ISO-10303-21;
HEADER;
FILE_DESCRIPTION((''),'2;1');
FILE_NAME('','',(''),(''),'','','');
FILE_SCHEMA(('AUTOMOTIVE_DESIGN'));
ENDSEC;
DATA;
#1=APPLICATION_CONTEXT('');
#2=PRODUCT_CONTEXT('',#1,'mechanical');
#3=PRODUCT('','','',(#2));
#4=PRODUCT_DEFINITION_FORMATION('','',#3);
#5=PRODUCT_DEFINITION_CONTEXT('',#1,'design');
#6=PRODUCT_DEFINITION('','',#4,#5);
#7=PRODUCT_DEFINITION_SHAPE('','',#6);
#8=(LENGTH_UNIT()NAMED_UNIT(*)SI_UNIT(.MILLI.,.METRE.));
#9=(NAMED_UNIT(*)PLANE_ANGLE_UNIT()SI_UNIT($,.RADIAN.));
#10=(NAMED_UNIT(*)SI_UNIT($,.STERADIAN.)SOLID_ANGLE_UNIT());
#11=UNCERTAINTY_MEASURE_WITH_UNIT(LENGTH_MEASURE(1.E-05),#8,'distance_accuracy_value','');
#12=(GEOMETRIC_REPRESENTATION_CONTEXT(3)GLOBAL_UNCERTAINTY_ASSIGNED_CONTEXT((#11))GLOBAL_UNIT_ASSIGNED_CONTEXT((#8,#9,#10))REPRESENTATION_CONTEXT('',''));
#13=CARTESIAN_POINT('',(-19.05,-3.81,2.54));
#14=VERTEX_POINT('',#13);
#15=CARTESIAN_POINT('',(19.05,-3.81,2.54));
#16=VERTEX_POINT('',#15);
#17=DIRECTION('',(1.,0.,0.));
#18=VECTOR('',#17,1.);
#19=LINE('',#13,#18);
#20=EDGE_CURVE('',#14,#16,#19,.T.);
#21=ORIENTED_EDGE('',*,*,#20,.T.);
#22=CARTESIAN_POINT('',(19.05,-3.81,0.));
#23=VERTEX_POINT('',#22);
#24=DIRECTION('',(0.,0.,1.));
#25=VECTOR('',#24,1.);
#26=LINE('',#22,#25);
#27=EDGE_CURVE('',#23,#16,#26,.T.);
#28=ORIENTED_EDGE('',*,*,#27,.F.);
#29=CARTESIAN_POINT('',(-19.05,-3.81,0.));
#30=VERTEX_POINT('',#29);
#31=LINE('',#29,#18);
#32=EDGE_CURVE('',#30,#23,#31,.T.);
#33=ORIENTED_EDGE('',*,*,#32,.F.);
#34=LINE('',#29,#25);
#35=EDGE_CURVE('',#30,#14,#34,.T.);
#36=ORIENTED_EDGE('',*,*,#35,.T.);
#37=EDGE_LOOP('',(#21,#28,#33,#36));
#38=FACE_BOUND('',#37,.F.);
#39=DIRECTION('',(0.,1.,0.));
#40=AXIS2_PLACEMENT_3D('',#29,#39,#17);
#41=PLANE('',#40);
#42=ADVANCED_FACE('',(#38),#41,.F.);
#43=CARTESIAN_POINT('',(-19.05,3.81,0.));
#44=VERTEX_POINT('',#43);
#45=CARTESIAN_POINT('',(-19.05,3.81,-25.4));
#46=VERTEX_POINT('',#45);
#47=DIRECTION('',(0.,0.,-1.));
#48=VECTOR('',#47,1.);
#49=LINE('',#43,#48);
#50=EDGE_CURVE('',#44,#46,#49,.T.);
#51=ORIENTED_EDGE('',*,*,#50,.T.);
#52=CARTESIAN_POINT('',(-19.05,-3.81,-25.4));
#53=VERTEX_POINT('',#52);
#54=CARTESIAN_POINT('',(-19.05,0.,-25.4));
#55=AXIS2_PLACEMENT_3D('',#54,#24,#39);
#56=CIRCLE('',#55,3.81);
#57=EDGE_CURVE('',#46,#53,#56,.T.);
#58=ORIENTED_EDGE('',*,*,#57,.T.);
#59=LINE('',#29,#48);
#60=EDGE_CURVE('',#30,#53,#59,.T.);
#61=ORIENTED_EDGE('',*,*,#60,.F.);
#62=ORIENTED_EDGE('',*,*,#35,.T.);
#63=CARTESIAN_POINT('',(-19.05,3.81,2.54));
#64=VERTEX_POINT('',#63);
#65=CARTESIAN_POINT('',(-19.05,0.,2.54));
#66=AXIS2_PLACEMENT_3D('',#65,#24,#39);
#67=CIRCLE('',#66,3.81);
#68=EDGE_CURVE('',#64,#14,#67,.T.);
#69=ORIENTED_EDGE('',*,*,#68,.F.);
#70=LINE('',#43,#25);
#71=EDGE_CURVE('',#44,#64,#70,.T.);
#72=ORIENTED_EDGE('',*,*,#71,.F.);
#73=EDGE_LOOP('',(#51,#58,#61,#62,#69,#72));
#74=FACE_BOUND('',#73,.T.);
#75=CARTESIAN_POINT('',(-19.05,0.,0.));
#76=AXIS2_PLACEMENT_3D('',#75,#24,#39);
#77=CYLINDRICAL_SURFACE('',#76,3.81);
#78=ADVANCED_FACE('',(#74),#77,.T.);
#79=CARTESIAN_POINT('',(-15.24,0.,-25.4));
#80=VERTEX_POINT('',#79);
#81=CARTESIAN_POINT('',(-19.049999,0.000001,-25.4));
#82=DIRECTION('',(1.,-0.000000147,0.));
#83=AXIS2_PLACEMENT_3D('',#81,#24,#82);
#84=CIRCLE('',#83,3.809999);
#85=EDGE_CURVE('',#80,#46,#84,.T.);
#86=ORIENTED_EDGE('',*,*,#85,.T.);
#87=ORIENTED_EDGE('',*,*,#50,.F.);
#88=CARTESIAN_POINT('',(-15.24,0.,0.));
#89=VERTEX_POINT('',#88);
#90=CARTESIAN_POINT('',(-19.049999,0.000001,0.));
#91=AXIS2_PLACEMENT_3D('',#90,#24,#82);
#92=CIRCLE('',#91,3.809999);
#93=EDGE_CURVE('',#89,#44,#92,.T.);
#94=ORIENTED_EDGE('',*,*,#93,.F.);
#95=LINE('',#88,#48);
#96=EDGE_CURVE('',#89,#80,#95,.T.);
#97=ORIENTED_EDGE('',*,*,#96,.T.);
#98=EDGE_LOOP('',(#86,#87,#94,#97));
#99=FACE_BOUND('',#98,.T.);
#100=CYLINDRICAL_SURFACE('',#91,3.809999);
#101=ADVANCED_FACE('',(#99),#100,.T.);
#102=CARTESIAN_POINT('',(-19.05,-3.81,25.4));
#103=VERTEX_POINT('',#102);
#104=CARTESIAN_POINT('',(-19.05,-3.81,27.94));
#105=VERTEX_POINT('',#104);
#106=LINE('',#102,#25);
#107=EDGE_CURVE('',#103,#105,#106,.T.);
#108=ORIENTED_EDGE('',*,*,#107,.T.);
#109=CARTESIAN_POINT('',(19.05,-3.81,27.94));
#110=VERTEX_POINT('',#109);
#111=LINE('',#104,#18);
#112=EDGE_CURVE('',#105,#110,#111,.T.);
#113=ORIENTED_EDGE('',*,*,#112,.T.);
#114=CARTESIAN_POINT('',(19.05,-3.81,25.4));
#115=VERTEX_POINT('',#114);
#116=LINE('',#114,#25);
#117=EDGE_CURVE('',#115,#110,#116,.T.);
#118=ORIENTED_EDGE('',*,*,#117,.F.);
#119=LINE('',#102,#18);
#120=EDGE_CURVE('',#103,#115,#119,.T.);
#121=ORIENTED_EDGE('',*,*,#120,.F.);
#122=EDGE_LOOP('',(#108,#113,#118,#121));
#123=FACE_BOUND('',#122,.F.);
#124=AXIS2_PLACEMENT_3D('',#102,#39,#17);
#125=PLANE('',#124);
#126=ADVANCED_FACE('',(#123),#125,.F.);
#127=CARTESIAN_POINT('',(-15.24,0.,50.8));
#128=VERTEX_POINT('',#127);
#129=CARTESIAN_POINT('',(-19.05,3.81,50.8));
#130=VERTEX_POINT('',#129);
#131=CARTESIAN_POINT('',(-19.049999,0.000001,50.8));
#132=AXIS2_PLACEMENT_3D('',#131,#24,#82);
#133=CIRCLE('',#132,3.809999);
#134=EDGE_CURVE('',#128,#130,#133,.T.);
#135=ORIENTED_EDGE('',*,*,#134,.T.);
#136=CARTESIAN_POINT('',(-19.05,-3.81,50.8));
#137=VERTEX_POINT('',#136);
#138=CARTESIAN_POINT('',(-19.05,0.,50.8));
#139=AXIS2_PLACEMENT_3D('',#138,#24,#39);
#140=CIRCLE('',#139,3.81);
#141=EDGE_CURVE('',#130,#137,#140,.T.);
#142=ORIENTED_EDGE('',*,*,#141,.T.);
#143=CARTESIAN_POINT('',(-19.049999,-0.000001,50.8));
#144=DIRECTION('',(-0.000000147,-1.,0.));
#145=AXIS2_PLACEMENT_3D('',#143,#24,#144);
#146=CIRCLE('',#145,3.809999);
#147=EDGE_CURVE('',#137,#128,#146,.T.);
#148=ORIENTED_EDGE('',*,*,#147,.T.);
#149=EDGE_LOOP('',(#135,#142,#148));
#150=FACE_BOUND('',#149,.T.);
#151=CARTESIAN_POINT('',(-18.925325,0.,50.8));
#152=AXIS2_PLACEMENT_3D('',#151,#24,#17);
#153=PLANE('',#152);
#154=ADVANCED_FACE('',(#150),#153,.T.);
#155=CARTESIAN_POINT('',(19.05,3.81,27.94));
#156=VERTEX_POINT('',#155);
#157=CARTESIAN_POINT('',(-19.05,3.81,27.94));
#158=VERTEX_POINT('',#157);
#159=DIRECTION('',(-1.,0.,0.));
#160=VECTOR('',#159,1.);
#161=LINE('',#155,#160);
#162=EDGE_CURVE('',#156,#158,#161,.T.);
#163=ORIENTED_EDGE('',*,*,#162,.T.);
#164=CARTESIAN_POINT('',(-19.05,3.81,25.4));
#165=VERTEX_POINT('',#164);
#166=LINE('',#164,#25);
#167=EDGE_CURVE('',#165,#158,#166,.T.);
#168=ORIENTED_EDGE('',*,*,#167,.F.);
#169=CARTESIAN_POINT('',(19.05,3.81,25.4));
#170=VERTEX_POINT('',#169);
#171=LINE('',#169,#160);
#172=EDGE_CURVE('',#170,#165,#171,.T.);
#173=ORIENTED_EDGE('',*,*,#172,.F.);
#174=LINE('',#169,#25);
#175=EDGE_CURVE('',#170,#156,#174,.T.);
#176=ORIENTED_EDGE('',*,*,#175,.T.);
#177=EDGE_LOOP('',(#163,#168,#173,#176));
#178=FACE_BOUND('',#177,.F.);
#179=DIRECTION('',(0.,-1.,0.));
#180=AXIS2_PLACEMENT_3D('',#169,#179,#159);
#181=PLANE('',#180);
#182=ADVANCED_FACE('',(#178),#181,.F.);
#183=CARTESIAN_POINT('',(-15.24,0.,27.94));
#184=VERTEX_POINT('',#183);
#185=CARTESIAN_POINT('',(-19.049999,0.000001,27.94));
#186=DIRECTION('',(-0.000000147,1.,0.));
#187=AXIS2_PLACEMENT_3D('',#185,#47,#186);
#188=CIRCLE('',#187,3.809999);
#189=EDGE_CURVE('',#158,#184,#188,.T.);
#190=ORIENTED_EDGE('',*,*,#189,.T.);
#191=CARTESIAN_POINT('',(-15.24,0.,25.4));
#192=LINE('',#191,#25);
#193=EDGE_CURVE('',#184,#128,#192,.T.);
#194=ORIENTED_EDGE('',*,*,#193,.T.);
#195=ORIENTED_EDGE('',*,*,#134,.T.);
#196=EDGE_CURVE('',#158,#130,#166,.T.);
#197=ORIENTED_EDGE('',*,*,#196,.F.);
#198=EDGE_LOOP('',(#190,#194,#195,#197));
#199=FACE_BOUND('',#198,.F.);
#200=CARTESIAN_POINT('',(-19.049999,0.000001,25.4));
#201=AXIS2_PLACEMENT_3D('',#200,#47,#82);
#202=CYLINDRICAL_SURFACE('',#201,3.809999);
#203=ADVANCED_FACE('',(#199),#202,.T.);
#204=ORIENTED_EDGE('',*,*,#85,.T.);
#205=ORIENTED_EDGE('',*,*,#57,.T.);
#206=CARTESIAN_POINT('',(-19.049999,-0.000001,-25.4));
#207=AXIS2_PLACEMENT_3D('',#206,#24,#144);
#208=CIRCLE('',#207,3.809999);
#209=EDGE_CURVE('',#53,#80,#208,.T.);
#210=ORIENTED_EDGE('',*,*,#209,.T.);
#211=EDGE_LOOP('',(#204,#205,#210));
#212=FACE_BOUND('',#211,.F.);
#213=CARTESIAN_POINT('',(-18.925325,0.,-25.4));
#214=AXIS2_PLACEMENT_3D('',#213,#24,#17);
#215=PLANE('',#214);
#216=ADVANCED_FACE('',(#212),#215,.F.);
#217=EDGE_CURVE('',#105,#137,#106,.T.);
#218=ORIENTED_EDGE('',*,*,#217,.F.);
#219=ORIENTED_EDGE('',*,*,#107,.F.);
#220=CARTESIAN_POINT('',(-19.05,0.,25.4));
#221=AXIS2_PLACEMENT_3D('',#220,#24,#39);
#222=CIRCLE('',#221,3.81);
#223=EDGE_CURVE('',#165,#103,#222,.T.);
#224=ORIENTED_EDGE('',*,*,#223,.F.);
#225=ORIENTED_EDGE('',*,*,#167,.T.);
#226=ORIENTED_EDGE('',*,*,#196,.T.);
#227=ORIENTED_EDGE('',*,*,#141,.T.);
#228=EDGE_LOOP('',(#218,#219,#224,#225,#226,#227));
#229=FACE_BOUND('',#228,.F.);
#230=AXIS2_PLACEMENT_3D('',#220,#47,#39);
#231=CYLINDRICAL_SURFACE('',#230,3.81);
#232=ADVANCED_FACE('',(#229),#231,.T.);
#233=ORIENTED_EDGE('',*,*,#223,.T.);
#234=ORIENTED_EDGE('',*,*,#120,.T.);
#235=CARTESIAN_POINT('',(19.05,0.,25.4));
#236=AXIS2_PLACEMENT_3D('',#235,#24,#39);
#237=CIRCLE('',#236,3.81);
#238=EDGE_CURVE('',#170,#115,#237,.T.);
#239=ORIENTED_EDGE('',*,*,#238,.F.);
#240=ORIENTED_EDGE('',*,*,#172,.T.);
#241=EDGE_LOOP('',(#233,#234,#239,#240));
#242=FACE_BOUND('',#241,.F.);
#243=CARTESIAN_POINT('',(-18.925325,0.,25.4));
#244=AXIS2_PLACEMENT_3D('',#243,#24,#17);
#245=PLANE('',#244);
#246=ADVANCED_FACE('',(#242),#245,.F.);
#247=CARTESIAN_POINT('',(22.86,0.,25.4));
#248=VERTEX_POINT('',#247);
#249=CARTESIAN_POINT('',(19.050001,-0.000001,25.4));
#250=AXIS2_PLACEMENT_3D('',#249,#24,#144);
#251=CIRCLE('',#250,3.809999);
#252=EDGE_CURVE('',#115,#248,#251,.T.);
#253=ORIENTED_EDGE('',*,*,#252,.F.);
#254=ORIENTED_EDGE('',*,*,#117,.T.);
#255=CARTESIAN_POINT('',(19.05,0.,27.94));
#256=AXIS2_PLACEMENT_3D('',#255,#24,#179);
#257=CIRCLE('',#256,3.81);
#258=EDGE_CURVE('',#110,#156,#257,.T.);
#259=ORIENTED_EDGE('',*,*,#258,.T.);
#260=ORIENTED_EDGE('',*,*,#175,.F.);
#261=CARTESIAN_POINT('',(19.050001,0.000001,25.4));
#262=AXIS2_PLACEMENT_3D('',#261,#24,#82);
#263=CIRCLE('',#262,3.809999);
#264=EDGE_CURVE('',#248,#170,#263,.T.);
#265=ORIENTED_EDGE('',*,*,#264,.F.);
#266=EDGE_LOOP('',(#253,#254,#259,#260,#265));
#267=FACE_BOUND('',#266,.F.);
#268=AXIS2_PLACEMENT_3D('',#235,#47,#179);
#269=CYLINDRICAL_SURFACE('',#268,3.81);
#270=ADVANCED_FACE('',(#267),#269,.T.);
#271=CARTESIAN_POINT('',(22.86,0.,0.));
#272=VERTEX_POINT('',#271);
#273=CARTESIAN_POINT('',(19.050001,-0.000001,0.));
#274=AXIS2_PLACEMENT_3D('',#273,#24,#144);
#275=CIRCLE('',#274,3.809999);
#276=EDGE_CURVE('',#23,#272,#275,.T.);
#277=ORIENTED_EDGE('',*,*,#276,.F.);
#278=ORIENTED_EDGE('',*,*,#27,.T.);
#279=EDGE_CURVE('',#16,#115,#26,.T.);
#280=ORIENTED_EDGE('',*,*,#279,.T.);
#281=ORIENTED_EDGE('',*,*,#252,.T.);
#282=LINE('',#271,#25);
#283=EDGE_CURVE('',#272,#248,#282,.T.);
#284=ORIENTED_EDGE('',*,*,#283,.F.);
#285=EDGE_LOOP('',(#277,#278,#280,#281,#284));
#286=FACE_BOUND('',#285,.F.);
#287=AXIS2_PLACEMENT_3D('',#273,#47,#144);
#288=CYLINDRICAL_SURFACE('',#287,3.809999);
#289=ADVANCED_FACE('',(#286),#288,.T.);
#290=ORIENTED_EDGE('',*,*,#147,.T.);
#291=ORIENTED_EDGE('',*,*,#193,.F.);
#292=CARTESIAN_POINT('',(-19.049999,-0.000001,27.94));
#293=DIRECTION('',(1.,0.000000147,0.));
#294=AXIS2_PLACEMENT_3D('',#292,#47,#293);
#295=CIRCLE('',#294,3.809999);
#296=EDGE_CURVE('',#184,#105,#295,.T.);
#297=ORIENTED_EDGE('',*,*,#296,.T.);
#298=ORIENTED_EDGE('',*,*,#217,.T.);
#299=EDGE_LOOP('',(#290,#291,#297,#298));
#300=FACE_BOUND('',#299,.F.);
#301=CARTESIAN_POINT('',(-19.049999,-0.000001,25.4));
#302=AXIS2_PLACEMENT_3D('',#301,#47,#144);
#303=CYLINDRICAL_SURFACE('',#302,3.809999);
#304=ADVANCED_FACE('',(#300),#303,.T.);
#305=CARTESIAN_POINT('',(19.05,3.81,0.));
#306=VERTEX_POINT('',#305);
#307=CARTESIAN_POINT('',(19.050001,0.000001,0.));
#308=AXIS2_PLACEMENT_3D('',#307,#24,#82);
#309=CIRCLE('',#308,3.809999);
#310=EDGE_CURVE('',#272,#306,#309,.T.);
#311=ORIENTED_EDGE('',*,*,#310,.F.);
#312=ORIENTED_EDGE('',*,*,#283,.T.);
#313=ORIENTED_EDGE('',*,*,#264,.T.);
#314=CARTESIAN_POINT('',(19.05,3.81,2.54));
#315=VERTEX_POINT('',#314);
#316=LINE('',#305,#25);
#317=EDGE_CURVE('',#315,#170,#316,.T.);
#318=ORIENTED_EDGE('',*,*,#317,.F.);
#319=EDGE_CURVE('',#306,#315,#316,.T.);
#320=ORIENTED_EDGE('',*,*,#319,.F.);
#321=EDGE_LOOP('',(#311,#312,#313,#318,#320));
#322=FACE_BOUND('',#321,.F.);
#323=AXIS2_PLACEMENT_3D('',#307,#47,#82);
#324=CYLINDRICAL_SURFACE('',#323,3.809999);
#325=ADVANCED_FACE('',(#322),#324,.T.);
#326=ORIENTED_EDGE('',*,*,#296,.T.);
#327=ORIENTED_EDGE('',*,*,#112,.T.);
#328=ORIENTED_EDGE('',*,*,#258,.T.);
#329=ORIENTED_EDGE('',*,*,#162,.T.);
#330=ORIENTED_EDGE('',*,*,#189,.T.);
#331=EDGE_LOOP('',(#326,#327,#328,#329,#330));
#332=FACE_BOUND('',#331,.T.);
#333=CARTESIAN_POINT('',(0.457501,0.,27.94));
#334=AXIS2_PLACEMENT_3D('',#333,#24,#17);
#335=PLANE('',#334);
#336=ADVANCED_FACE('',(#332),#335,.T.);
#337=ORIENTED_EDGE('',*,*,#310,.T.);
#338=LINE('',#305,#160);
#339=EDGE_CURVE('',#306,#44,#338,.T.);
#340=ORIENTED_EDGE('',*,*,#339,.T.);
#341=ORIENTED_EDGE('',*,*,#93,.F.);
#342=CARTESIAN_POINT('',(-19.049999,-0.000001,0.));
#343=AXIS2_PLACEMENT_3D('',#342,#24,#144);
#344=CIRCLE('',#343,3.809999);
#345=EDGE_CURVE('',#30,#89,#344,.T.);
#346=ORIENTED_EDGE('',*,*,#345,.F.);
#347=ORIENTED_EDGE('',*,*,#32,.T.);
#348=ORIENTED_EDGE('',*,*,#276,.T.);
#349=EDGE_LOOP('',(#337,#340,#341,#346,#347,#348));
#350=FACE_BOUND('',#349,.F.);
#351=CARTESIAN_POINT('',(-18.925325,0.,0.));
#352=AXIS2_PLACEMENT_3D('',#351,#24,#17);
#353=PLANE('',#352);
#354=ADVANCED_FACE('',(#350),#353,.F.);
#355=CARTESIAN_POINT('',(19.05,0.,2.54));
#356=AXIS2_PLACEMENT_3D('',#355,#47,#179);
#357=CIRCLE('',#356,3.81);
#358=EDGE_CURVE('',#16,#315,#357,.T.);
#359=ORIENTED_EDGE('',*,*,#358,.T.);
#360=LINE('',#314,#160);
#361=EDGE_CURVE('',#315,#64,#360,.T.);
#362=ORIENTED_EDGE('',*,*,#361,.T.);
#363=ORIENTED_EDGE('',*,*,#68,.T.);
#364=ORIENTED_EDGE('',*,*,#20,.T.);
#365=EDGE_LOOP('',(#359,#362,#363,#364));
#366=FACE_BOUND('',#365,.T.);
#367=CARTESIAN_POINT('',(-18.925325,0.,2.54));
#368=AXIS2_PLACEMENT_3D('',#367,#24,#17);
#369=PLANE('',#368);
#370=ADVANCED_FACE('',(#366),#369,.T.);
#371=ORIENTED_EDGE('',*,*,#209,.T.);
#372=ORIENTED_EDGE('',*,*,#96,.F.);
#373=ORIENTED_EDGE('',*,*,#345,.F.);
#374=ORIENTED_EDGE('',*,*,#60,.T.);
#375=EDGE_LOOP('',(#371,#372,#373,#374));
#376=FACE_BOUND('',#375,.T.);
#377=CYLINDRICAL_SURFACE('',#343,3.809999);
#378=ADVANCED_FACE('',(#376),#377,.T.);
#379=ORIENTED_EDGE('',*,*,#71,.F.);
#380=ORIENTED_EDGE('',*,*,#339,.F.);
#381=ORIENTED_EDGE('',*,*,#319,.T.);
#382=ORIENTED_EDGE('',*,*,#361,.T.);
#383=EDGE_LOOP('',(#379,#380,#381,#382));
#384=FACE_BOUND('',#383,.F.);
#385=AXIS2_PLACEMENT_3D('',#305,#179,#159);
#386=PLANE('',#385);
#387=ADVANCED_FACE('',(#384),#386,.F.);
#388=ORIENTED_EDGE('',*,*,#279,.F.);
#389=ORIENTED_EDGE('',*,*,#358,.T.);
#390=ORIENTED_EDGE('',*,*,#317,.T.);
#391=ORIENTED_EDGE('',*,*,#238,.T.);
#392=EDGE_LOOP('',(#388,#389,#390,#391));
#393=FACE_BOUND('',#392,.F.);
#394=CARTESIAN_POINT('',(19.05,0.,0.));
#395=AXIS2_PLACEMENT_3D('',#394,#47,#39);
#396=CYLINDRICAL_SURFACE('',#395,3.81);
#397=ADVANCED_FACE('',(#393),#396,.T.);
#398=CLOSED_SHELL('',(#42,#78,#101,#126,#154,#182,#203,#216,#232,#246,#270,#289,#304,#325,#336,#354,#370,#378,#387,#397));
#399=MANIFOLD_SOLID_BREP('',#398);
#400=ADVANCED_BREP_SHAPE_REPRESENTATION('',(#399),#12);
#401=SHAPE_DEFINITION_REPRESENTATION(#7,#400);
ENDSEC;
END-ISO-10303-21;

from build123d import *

# Parameters (mm, degrees)
F1_DEPTH  = 2.54
F2_DEPTH  = 25.4
F3_DEPTH  = 12.7
F4_DEPTH  = 2.54
F6_DEPTH  = 2.54
F7_DEPTH  = 25.4
F9_DEPTH  = 2.54
F10_DEPTH = 25.4


with BuildPart() as f1:
    # F0 (on Top) → F1 (new body)
    with BuildSketch(Plane.XY):
        with BuildLine():
            Line((-19.05, -3.81), (19.05, -3.81))
            ThreePointArc((19.05, -3.81), (15.24, 0), (19.05, 3.81))
            Line((19.05, 3.81), (-19.05, 3.81))
            ThreePointArc((-19.05, 3.81), (-16.355923, 2.694077), (-15.24, 0))
            ThreePointArc((-15.24, 0), (-16.355923, -2.694077), (-19.05, -3.81))
        make_face()
    extrude(amount=F1_DEPTH)

    # F0 (on Top) → F2 (join)
    with BuildSketch(Plane.XY):
        with BuildLine():
            ThreePointArc((19.05, 3.81), (15.24, 0), (19.05, -3.81))
            ThreePointArc((19.05, -3.81), (21.744077, -2.694077), (22.86, 0))
            ThreePointArc((22.86, 0), (21.744077, 2.694077), (19.05, 3.81))
        make_face()
    extrude(amount=F2_DEPTH)

    # F5 (on face) → F6 (join)
    with BuildSketch(Plane.XY.offset(25.4)):
        with BuildLine():
            Line((-19.05, -3.81), (19.05, -3.81))
            ThreePointArc((19.05, -3.81), (22.86, 0), (19.05, 3.81))
            Line((19.05, 3.81), (-19.05, 3.81))
            ThreePointArc((-19.05, 3.81), (-16.355923, 2.694077), (-15.24, 0))
            ThreePointArc((-15.24, 0), (-16.355923, -2.694077), (-19.05, -3.81))
        make_face()
    extrude(amount=F6_DEPTH)

    # F5 (on face) → F7 (join)
    with BuildSketch(Plane.XY.offset(25.4)):
        with BuildLine():
            ThreePointArc((-19.05, 3.81), (-22.86, 0), (-19.05, -3.81))
            ThreePointArc((-19.05, -3.81), (-16.355923, -2.694077), (-15.24, 0))
            ThreePointArc((-15.24, 0), (-16.355923, 2.694077), (-19.05, 3.81))
        make_face()
    extrude(amount=F7_DEPTH)

    # F0 (on Top) → F9 (join)
    with BuildSketch(Plane.XY):
        with BuildLine():
            ThreePointArc((-19.05, 3.81), (-22.86, 0), (-19.05, -3.81))
            ThreePointArc((-19.05, -3.81), (-16.355923, -2.694077), (-15.24, 0))
            ThreePointArc((-15.24, 0), (-16.355923, 2.694077), (-19.05, 3.81))
        make_face()
    extrude(amount=F9_DEPTH)

    # F0 (on Top) → F10 (join)
    with BuildSketch(Plane.XY):
        with BuildLine():
            ThreePointArc((-19.05, 3.81), (-22.86, 0), (-19.05, -3.81))
            ThreePointArc((-19.05, -3.81), (-16.355923, -2.694077), (-15.24, 0))
            ThreePointArc((-15.24, 0), (-16.355923, 2.694077), (-19.05, 3.81))
        make_face()
    extrude(amount=-F10_DEPTH)


with BuildPart() as f3:
    # F0 (on Top) → F3 (new body)
    with BuildSketch(Plane.XY):
        with BuildLine():
            ThreePointArc((-19.05, 3.81), (-22.86, 0), (-19.05, -3.81))
            ThreePointArc((-19.05, -3.81), (-16.355923, -2.694077), (-15.24, 0))
            ThreePointArc((-15.24, 0), (-16.355923, 2.694077), (-19.05, 3.81))
        make_face()
    extrude(amount=-F3_DEPTH)


with BuildPart() as f4:
    # F0 (on Top) → F4 (new body)
    with BuildSketch(Plane.XY):
        with BuildLine():
            ThreePointArc((-19.05, 3.81), (-22.86, 0), (-19.05, -3.81))
            ThreePointArc((-19.05, -3.81), (-16.355923, -2.694077), (-15.24, 0))
            ThreePointArc((-15.24, 0), (-16.355923, 2.694077), (-19.05, 3.81))
        make_face()
    extrude(amount=F4_DEPTH)


solid = f1.part
